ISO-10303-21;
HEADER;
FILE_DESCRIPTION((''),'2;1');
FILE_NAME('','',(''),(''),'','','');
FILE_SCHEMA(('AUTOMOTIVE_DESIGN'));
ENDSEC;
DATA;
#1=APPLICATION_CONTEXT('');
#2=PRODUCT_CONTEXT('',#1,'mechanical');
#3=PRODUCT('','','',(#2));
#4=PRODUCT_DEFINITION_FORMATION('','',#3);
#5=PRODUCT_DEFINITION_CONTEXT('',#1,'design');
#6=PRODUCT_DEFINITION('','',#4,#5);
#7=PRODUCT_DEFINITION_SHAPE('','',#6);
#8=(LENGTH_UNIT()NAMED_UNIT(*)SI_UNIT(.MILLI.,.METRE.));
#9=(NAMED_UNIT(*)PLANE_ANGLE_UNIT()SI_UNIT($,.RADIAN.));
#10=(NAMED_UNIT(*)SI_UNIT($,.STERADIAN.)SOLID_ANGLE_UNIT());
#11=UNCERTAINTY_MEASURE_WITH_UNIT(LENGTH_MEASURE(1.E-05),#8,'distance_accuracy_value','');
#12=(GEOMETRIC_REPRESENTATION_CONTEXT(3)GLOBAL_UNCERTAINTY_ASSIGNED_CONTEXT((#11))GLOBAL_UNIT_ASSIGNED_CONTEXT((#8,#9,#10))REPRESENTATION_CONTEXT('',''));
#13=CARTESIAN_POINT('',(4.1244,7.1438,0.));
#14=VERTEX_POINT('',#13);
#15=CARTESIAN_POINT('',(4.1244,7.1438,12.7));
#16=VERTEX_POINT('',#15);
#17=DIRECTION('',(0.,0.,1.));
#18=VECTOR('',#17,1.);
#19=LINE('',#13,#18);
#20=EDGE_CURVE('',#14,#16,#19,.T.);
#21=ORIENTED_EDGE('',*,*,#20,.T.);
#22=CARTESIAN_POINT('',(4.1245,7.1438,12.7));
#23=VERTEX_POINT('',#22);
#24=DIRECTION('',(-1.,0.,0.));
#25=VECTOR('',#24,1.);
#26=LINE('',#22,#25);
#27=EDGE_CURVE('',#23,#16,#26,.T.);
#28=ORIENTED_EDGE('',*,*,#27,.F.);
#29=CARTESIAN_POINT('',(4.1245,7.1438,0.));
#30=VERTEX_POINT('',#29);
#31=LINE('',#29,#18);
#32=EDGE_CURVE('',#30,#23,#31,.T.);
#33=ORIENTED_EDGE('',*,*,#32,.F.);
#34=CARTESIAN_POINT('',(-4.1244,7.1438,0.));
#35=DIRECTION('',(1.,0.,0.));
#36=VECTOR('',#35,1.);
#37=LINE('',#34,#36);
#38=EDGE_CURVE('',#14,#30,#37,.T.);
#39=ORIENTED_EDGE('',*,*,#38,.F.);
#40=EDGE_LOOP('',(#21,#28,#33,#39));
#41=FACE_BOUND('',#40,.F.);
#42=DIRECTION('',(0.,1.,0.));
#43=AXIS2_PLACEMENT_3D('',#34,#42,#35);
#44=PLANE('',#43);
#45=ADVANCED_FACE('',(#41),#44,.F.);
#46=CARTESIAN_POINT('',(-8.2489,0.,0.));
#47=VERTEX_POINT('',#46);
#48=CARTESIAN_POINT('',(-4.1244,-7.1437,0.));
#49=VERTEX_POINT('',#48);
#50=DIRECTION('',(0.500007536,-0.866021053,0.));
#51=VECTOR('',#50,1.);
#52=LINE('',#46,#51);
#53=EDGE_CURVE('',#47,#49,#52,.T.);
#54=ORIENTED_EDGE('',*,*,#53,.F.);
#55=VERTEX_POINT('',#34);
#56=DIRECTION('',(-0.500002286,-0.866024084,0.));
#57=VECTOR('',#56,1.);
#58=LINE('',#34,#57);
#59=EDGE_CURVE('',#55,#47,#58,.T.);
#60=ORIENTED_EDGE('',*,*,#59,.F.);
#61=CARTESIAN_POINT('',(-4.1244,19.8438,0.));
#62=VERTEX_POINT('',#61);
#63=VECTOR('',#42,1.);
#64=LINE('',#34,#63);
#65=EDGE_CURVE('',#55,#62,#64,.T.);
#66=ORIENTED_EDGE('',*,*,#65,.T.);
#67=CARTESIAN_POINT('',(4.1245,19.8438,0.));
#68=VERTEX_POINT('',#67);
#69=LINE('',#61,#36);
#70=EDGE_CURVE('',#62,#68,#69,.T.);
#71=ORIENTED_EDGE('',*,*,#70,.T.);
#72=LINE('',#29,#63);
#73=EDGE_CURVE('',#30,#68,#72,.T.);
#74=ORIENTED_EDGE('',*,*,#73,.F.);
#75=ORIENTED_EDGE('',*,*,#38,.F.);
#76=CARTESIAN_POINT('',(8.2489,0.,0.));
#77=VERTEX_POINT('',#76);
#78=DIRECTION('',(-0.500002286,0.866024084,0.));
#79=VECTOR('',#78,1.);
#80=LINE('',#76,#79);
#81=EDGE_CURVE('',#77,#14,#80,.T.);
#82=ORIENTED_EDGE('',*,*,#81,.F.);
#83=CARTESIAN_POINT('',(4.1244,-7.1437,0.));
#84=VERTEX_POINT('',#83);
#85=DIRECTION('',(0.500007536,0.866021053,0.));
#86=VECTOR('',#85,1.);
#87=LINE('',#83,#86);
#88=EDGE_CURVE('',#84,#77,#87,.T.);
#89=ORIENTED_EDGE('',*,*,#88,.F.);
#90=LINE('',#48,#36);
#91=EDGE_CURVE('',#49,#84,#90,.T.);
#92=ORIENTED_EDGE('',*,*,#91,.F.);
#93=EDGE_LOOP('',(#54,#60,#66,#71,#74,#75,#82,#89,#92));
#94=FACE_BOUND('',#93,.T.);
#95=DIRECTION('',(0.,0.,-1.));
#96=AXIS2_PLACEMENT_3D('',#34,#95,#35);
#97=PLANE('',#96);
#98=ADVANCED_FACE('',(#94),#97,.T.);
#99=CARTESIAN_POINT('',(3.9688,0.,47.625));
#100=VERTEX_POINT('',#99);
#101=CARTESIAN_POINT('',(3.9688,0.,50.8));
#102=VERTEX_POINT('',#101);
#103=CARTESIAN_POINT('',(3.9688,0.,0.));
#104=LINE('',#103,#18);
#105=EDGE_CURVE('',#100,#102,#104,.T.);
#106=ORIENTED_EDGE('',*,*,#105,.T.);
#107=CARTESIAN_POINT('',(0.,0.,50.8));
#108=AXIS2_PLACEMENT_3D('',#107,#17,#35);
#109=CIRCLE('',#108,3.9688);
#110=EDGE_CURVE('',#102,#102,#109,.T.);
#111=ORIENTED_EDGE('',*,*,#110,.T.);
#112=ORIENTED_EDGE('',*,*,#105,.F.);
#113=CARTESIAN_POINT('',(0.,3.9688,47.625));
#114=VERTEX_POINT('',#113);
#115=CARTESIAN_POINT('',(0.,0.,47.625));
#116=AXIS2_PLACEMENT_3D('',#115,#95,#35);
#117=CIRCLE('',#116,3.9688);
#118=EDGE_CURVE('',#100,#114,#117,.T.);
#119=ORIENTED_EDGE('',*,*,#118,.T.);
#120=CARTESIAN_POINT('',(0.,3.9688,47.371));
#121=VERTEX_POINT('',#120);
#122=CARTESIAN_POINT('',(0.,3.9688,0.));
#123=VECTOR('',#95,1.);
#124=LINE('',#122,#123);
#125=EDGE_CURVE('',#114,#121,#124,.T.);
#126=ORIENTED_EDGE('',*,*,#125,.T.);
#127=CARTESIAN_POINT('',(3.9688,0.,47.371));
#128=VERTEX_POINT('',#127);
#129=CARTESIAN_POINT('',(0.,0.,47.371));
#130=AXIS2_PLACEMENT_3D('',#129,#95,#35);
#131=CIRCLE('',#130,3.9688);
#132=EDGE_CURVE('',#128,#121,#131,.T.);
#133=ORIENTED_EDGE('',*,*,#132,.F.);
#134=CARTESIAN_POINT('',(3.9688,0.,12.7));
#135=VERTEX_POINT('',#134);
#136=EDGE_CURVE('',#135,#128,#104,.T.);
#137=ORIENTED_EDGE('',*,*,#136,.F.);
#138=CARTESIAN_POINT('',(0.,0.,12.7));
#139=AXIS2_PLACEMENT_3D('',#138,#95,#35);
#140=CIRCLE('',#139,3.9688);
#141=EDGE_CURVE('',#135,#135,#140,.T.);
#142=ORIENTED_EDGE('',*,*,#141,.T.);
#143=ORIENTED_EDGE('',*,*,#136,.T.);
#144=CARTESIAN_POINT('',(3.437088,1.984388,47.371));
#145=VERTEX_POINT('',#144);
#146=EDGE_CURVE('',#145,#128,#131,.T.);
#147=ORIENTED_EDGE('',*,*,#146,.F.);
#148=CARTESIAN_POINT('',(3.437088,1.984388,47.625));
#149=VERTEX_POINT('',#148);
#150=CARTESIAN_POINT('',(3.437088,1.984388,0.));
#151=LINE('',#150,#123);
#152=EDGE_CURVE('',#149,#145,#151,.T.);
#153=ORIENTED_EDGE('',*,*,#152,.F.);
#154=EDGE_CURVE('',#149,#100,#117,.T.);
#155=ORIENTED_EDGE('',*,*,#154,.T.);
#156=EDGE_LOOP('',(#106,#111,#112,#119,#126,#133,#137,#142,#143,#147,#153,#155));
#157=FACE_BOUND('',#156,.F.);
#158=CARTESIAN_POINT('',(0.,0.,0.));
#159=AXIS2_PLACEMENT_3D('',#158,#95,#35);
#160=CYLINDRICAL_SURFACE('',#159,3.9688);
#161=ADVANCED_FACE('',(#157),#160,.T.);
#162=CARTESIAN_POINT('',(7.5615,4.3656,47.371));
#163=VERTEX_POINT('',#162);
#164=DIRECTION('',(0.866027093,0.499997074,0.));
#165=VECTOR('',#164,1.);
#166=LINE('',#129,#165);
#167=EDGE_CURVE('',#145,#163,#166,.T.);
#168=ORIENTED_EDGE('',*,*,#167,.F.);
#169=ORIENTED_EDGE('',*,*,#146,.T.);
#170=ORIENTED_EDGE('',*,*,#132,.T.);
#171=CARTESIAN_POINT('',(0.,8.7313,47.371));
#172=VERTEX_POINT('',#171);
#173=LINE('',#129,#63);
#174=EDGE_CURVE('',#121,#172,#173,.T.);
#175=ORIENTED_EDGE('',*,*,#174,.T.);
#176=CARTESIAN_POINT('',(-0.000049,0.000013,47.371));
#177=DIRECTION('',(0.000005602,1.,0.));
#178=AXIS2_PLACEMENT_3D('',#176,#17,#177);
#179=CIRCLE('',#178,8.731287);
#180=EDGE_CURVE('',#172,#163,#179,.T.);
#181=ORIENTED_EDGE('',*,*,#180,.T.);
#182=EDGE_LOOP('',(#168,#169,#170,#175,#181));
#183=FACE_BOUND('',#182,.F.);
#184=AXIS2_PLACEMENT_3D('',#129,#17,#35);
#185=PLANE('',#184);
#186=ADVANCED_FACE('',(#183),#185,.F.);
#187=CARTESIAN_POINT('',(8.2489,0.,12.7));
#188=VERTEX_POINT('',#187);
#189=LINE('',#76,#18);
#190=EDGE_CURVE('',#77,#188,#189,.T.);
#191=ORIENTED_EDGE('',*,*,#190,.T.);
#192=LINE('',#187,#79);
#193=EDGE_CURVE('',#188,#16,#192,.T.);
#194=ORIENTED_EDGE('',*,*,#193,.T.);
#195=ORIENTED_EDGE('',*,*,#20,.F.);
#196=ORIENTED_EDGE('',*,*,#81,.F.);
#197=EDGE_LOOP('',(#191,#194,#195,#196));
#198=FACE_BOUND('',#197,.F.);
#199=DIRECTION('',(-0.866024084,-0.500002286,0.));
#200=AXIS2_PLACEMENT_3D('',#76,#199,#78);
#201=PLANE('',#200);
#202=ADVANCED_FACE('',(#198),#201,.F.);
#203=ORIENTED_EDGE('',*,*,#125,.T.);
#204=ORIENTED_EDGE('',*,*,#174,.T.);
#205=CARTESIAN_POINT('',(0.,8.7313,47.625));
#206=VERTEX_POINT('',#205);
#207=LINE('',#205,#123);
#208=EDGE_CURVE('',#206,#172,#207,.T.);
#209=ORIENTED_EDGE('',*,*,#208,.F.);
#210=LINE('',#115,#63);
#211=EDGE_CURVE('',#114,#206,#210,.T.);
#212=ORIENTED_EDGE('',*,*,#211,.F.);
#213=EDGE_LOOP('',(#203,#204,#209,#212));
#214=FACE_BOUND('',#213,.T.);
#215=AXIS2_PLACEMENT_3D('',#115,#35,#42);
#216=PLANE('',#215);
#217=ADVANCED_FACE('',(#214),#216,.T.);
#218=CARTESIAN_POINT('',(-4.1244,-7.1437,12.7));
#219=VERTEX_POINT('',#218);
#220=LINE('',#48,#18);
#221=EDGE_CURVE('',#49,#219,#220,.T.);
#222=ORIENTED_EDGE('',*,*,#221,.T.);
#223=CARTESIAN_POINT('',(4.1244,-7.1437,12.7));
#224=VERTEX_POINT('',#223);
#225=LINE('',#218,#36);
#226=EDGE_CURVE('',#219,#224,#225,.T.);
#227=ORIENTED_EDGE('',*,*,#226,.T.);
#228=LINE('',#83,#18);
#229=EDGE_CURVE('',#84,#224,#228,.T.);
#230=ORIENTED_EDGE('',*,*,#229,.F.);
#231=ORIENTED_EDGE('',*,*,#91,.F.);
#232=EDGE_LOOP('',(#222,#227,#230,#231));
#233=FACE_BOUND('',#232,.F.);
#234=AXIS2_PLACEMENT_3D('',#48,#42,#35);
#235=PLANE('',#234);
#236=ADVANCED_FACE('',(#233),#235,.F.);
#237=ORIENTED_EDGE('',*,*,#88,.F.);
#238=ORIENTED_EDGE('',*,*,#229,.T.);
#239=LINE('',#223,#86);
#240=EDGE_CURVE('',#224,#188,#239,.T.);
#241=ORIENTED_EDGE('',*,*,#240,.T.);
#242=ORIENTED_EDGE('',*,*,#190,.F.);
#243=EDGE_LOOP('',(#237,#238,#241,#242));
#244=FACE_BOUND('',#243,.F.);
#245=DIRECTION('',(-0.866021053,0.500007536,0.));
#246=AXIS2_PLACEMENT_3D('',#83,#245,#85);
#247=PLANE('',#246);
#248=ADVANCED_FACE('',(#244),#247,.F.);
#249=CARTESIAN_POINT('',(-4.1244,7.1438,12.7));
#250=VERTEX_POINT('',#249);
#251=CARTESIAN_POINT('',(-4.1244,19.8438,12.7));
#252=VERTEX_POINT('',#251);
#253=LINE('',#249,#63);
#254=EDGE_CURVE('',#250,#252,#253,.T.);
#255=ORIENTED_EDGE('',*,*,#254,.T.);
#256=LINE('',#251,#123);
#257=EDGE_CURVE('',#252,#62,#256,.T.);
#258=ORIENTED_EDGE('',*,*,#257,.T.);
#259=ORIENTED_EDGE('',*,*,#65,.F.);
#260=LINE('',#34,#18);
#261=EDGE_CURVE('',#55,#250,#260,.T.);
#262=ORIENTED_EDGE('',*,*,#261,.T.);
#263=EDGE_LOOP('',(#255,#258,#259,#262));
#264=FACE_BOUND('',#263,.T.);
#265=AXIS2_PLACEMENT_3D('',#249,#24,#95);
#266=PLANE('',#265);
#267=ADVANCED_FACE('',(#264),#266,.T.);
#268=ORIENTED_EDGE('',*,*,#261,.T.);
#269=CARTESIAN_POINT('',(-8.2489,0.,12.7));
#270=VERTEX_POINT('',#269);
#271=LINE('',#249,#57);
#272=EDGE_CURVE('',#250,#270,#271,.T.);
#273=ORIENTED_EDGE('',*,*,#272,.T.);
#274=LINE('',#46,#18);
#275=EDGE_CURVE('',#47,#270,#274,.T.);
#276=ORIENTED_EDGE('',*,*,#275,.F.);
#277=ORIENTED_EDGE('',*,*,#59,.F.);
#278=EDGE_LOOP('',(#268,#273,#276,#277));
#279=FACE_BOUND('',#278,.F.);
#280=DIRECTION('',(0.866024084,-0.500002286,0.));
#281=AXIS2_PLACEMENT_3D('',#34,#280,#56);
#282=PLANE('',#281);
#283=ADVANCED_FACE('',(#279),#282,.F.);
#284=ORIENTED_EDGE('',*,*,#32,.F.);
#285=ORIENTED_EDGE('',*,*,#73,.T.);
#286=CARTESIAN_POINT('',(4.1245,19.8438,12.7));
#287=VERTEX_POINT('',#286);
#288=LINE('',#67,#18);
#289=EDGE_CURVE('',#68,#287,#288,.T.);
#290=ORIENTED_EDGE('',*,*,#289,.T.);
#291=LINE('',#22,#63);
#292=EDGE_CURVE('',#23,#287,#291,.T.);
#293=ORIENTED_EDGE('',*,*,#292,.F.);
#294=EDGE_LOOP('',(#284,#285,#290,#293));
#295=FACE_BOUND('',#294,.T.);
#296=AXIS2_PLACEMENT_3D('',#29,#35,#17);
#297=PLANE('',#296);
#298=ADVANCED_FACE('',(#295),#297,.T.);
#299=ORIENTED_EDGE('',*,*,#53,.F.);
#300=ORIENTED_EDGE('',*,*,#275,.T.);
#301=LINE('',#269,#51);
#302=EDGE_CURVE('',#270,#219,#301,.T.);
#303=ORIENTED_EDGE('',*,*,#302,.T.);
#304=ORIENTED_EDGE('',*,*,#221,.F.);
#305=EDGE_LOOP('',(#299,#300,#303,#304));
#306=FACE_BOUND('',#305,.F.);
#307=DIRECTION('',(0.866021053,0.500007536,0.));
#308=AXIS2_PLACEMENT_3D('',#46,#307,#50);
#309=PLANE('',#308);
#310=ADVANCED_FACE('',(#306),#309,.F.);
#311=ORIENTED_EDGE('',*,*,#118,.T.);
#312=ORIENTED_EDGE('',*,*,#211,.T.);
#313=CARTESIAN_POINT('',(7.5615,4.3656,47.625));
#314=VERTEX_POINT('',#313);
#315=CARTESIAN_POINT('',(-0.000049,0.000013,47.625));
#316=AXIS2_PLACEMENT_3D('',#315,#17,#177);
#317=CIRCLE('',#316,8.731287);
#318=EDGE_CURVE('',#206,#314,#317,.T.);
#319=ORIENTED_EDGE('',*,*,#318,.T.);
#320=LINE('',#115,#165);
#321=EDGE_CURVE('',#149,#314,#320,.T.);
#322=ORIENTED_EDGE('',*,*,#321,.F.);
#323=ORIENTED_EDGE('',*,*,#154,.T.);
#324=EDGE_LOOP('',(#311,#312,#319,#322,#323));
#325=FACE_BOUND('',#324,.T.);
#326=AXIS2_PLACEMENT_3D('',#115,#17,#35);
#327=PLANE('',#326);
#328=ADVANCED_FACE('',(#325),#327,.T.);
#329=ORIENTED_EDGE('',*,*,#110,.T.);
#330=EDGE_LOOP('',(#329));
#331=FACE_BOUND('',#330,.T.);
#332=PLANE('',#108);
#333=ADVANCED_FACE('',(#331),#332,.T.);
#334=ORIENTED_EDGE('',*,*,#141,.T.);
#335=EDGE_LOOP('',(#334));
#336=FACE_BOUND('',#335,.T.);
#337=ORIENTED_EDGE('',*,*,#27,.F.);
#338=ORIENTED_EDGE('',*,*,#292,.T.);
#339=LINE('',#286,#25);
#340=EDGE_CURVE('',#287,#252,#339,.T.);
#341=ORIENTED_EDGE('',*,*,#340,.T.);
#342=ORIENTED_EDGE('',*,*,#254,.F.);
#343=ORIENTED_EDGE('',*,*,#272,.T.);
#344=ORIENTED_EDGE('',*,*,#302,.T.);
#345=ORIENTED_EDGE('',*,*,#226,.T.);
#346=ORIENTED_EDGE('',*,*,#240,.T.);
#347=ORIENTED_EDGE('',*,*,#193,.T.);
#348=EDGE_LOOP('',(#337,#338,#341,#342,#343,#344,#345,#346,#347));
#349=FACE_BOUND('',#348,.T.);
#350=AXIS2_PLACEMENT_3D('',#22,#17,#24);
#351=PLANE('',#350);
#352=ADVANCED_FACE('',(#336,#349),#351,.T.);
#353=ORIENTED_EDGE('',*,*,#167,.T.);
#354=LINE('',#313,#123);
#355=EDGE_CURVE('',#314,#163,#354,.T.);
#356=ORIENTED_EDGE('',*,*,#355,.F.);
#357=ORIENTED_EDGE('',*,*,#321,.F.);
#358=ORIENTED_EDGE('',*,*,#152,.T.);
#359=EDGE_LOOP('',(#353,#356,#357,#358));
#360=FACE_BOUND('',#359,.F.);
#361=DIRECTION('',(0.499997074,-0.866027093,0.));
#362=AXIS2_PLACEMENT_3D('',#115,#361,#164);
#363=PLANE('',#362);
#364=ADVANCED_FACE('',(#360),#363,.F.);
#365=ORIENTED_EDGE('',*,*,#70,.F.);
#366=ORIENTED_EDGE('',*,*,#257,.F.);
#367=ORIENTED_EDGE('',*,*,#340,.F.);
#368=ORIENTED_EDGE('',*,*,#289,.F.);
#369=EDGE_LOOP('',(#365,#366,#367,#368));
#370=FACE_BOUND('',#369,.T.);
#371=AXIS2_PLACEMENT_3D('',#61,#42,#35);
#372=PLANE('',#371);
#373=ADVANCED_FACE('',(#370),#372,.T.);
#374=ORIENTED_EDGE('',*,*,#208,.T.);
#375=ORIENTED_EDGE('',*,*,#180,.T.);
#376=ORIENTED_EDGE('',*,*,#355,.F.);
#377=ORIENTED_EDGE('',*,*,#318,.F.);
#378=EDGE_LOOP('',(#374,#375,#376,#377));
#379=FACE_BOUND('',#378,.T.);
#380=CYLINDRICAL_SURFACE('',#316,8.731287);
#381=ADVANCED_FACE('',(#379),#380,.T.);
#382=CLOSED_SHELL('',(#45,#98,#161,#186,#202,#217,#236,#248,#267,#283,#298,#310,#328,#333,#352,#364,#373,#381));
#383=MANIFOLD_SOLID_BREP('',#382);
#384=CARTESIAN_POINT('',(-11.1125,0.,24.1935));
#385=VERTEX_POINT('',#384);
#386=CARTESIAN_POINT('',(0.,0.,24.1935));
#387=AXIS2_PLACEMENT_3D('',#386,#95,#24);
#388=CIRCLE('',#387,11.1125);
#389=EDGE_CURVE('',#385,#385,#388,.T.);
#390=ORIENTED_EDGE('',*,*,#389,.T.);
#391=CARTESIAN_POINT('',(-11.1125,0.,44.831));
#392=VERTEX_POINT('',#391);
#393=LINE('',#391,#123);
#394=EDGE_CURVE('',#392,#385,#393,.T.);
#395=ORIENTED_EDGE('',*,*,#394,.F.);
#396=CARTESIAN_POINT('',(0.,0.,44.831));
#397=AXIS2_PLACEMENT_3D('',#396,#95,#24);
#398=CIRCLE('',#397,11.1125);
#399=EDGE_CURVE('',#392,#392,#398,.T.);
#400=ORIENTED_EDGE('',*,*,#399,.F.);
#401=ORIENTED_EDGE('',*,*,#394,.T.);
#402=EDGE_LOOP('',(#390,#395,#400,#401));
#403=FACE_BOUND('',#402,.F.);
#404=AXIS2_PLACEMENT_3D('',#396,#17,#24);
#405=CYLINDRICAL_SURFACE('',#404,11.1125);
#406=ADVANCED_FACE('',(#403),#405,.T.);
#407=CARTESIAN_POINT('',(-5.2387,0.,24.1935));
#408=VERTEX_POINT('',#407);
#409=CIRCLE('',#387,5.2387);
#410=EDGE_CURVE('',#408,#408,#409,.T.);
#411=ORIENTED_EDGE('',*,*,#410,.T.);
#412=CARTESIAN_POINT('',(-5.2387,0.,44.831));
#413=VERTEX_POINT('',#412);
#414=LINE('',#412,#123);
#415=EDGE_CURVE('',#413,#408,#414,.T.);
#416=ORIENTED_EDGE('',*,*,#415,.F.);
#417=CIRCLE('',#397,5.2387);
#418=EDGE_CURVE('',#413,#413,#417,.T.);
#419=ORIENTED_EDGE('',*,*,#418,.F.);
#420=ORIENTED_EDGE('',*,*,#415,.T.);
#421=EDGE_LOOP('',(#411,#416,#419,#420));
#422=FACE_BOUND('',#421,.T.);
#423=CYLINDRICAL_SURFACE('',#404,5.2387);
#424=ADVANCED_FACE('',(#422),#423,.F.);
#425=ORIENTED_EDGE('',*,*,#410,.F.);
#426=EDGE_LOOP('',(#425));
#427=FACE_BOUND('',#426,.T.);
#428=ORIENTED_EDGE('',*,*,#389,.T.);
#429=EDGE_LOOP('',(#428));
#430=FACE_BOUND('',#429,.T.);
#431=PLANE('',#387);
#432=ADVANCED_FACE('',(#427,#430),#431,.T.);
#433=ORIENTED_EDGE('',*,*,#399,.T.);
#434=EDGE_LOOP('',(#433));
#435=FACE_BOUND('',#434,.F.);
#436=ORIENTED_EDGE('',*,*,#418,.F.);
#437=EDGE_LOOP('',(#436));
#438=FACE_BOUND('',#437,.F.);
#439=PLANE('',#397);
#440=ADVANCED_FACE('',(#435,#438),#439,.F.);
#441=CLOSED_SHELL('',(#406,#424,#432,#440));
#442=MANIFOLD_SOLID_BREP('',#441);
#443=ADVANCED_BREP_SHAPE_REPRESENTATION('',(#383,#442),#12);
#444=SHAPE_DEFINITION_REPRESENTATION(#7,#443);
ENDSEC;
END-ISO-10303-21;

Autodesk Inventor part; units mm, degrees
ref_plane "YZ Plane" through (0, 0, 0) normal (1, 0, 0) x (0, 1, 0)
sketch "Sketch1" plane through (0, 0, 0) normal (0, 0, 1) x (1, 0, 0)
  circle A0 centre (0, 0) radius 3.9688
  dimension "d0" = 7.9375
extrude "Extrusion1" add sketch "Sketch1" along normal blind 50.8
ref_plane "Work Plane1" through (0, 0, 47.625) normal (0, 0, 1) x (1, 0, 0)
sketch "Sketch2" plane through (0, 0, 47.625) normal (0, 0, 1) x (1, 0, 0)
  arc A0 (0, 8.7313) -> (7.5615, 4.3656) centre (0, 0) ccw
  line L0 (0, 0) -> (0, 8.7313)
  line L1 (0, 0) -> (7.5615, 4.3656)
  dimension "d4" = 17.4625
  dimension "d5" = 60
extrude "Extrusion2" add sketch "Sketch2" against normal blind 0.254
ref_plane "Work Plane2" through (0, 0, 44.831) normal (0, 0, -1) x (-1, 0, 0)
sketch "Sketch3" plane through (0, 0, 44.831) normal (0, 0, -1) x (-1, 0, 0)
  circle A0 centre (0, 0) radius 3.9687 projected
  circle A1 centre (0, 0) radius 11.1125
  circle A2 centre (0, 0) radius 5.2387
  dimension "d9" = 22.225
  dimension "d10" = 1.27
extrude "Extrusion3" add sketch "Sketch3" along normal blind 20.6375 contours A1
sketch "Sketch4" plane through (0, 0, 0) normal (0, 0, -1) x (-1, 0, 0)
  circle A0 centre (0, 0) radius 3.9687 projected
  line L0 (8.2489, 0) -> (4.1244, -7.1437)
  line L1 (4.1244, -7.1437) -> (-4.1244, -7.1437)
  line L2 (-4.1244, -7.1437) -> (-8.2489, 0)
  line L3 (-8.2489, 0) -> (-4.1244, 7.1438)
  line L4 (-4.1244, 7.1438) -> (4.1244, 7.1438)
  line L5 (4.1244, 7.1438) -> (8.2489, 0)
  dimension "d13" = 14.2875
extrude "Extrusion4" add sketch "Sketch4" against normal blind 12.7
sketch "Sketch5" plane through (-4.1244, 7.1438, 0) normal (0, 1, 0) x (1, 0, 0)
  line L0 (8.2489, 0) -> (8.2489, -12.7) projected
  line L1 (0, 0) -> (8.2489, 0)
  line L2 (8.2489, 0) -> (8.2489, -12.7)
  line L3 (8.2489, -12.7) -> (0, -12.7)
  line L4 (0, -12.7) -> (0, 0)
  point P0 (4.1244, 0)
extrude "Extrusion5" add sketch "Sketch5" along normal blind 12.7
properties part number "Float_Switch"
